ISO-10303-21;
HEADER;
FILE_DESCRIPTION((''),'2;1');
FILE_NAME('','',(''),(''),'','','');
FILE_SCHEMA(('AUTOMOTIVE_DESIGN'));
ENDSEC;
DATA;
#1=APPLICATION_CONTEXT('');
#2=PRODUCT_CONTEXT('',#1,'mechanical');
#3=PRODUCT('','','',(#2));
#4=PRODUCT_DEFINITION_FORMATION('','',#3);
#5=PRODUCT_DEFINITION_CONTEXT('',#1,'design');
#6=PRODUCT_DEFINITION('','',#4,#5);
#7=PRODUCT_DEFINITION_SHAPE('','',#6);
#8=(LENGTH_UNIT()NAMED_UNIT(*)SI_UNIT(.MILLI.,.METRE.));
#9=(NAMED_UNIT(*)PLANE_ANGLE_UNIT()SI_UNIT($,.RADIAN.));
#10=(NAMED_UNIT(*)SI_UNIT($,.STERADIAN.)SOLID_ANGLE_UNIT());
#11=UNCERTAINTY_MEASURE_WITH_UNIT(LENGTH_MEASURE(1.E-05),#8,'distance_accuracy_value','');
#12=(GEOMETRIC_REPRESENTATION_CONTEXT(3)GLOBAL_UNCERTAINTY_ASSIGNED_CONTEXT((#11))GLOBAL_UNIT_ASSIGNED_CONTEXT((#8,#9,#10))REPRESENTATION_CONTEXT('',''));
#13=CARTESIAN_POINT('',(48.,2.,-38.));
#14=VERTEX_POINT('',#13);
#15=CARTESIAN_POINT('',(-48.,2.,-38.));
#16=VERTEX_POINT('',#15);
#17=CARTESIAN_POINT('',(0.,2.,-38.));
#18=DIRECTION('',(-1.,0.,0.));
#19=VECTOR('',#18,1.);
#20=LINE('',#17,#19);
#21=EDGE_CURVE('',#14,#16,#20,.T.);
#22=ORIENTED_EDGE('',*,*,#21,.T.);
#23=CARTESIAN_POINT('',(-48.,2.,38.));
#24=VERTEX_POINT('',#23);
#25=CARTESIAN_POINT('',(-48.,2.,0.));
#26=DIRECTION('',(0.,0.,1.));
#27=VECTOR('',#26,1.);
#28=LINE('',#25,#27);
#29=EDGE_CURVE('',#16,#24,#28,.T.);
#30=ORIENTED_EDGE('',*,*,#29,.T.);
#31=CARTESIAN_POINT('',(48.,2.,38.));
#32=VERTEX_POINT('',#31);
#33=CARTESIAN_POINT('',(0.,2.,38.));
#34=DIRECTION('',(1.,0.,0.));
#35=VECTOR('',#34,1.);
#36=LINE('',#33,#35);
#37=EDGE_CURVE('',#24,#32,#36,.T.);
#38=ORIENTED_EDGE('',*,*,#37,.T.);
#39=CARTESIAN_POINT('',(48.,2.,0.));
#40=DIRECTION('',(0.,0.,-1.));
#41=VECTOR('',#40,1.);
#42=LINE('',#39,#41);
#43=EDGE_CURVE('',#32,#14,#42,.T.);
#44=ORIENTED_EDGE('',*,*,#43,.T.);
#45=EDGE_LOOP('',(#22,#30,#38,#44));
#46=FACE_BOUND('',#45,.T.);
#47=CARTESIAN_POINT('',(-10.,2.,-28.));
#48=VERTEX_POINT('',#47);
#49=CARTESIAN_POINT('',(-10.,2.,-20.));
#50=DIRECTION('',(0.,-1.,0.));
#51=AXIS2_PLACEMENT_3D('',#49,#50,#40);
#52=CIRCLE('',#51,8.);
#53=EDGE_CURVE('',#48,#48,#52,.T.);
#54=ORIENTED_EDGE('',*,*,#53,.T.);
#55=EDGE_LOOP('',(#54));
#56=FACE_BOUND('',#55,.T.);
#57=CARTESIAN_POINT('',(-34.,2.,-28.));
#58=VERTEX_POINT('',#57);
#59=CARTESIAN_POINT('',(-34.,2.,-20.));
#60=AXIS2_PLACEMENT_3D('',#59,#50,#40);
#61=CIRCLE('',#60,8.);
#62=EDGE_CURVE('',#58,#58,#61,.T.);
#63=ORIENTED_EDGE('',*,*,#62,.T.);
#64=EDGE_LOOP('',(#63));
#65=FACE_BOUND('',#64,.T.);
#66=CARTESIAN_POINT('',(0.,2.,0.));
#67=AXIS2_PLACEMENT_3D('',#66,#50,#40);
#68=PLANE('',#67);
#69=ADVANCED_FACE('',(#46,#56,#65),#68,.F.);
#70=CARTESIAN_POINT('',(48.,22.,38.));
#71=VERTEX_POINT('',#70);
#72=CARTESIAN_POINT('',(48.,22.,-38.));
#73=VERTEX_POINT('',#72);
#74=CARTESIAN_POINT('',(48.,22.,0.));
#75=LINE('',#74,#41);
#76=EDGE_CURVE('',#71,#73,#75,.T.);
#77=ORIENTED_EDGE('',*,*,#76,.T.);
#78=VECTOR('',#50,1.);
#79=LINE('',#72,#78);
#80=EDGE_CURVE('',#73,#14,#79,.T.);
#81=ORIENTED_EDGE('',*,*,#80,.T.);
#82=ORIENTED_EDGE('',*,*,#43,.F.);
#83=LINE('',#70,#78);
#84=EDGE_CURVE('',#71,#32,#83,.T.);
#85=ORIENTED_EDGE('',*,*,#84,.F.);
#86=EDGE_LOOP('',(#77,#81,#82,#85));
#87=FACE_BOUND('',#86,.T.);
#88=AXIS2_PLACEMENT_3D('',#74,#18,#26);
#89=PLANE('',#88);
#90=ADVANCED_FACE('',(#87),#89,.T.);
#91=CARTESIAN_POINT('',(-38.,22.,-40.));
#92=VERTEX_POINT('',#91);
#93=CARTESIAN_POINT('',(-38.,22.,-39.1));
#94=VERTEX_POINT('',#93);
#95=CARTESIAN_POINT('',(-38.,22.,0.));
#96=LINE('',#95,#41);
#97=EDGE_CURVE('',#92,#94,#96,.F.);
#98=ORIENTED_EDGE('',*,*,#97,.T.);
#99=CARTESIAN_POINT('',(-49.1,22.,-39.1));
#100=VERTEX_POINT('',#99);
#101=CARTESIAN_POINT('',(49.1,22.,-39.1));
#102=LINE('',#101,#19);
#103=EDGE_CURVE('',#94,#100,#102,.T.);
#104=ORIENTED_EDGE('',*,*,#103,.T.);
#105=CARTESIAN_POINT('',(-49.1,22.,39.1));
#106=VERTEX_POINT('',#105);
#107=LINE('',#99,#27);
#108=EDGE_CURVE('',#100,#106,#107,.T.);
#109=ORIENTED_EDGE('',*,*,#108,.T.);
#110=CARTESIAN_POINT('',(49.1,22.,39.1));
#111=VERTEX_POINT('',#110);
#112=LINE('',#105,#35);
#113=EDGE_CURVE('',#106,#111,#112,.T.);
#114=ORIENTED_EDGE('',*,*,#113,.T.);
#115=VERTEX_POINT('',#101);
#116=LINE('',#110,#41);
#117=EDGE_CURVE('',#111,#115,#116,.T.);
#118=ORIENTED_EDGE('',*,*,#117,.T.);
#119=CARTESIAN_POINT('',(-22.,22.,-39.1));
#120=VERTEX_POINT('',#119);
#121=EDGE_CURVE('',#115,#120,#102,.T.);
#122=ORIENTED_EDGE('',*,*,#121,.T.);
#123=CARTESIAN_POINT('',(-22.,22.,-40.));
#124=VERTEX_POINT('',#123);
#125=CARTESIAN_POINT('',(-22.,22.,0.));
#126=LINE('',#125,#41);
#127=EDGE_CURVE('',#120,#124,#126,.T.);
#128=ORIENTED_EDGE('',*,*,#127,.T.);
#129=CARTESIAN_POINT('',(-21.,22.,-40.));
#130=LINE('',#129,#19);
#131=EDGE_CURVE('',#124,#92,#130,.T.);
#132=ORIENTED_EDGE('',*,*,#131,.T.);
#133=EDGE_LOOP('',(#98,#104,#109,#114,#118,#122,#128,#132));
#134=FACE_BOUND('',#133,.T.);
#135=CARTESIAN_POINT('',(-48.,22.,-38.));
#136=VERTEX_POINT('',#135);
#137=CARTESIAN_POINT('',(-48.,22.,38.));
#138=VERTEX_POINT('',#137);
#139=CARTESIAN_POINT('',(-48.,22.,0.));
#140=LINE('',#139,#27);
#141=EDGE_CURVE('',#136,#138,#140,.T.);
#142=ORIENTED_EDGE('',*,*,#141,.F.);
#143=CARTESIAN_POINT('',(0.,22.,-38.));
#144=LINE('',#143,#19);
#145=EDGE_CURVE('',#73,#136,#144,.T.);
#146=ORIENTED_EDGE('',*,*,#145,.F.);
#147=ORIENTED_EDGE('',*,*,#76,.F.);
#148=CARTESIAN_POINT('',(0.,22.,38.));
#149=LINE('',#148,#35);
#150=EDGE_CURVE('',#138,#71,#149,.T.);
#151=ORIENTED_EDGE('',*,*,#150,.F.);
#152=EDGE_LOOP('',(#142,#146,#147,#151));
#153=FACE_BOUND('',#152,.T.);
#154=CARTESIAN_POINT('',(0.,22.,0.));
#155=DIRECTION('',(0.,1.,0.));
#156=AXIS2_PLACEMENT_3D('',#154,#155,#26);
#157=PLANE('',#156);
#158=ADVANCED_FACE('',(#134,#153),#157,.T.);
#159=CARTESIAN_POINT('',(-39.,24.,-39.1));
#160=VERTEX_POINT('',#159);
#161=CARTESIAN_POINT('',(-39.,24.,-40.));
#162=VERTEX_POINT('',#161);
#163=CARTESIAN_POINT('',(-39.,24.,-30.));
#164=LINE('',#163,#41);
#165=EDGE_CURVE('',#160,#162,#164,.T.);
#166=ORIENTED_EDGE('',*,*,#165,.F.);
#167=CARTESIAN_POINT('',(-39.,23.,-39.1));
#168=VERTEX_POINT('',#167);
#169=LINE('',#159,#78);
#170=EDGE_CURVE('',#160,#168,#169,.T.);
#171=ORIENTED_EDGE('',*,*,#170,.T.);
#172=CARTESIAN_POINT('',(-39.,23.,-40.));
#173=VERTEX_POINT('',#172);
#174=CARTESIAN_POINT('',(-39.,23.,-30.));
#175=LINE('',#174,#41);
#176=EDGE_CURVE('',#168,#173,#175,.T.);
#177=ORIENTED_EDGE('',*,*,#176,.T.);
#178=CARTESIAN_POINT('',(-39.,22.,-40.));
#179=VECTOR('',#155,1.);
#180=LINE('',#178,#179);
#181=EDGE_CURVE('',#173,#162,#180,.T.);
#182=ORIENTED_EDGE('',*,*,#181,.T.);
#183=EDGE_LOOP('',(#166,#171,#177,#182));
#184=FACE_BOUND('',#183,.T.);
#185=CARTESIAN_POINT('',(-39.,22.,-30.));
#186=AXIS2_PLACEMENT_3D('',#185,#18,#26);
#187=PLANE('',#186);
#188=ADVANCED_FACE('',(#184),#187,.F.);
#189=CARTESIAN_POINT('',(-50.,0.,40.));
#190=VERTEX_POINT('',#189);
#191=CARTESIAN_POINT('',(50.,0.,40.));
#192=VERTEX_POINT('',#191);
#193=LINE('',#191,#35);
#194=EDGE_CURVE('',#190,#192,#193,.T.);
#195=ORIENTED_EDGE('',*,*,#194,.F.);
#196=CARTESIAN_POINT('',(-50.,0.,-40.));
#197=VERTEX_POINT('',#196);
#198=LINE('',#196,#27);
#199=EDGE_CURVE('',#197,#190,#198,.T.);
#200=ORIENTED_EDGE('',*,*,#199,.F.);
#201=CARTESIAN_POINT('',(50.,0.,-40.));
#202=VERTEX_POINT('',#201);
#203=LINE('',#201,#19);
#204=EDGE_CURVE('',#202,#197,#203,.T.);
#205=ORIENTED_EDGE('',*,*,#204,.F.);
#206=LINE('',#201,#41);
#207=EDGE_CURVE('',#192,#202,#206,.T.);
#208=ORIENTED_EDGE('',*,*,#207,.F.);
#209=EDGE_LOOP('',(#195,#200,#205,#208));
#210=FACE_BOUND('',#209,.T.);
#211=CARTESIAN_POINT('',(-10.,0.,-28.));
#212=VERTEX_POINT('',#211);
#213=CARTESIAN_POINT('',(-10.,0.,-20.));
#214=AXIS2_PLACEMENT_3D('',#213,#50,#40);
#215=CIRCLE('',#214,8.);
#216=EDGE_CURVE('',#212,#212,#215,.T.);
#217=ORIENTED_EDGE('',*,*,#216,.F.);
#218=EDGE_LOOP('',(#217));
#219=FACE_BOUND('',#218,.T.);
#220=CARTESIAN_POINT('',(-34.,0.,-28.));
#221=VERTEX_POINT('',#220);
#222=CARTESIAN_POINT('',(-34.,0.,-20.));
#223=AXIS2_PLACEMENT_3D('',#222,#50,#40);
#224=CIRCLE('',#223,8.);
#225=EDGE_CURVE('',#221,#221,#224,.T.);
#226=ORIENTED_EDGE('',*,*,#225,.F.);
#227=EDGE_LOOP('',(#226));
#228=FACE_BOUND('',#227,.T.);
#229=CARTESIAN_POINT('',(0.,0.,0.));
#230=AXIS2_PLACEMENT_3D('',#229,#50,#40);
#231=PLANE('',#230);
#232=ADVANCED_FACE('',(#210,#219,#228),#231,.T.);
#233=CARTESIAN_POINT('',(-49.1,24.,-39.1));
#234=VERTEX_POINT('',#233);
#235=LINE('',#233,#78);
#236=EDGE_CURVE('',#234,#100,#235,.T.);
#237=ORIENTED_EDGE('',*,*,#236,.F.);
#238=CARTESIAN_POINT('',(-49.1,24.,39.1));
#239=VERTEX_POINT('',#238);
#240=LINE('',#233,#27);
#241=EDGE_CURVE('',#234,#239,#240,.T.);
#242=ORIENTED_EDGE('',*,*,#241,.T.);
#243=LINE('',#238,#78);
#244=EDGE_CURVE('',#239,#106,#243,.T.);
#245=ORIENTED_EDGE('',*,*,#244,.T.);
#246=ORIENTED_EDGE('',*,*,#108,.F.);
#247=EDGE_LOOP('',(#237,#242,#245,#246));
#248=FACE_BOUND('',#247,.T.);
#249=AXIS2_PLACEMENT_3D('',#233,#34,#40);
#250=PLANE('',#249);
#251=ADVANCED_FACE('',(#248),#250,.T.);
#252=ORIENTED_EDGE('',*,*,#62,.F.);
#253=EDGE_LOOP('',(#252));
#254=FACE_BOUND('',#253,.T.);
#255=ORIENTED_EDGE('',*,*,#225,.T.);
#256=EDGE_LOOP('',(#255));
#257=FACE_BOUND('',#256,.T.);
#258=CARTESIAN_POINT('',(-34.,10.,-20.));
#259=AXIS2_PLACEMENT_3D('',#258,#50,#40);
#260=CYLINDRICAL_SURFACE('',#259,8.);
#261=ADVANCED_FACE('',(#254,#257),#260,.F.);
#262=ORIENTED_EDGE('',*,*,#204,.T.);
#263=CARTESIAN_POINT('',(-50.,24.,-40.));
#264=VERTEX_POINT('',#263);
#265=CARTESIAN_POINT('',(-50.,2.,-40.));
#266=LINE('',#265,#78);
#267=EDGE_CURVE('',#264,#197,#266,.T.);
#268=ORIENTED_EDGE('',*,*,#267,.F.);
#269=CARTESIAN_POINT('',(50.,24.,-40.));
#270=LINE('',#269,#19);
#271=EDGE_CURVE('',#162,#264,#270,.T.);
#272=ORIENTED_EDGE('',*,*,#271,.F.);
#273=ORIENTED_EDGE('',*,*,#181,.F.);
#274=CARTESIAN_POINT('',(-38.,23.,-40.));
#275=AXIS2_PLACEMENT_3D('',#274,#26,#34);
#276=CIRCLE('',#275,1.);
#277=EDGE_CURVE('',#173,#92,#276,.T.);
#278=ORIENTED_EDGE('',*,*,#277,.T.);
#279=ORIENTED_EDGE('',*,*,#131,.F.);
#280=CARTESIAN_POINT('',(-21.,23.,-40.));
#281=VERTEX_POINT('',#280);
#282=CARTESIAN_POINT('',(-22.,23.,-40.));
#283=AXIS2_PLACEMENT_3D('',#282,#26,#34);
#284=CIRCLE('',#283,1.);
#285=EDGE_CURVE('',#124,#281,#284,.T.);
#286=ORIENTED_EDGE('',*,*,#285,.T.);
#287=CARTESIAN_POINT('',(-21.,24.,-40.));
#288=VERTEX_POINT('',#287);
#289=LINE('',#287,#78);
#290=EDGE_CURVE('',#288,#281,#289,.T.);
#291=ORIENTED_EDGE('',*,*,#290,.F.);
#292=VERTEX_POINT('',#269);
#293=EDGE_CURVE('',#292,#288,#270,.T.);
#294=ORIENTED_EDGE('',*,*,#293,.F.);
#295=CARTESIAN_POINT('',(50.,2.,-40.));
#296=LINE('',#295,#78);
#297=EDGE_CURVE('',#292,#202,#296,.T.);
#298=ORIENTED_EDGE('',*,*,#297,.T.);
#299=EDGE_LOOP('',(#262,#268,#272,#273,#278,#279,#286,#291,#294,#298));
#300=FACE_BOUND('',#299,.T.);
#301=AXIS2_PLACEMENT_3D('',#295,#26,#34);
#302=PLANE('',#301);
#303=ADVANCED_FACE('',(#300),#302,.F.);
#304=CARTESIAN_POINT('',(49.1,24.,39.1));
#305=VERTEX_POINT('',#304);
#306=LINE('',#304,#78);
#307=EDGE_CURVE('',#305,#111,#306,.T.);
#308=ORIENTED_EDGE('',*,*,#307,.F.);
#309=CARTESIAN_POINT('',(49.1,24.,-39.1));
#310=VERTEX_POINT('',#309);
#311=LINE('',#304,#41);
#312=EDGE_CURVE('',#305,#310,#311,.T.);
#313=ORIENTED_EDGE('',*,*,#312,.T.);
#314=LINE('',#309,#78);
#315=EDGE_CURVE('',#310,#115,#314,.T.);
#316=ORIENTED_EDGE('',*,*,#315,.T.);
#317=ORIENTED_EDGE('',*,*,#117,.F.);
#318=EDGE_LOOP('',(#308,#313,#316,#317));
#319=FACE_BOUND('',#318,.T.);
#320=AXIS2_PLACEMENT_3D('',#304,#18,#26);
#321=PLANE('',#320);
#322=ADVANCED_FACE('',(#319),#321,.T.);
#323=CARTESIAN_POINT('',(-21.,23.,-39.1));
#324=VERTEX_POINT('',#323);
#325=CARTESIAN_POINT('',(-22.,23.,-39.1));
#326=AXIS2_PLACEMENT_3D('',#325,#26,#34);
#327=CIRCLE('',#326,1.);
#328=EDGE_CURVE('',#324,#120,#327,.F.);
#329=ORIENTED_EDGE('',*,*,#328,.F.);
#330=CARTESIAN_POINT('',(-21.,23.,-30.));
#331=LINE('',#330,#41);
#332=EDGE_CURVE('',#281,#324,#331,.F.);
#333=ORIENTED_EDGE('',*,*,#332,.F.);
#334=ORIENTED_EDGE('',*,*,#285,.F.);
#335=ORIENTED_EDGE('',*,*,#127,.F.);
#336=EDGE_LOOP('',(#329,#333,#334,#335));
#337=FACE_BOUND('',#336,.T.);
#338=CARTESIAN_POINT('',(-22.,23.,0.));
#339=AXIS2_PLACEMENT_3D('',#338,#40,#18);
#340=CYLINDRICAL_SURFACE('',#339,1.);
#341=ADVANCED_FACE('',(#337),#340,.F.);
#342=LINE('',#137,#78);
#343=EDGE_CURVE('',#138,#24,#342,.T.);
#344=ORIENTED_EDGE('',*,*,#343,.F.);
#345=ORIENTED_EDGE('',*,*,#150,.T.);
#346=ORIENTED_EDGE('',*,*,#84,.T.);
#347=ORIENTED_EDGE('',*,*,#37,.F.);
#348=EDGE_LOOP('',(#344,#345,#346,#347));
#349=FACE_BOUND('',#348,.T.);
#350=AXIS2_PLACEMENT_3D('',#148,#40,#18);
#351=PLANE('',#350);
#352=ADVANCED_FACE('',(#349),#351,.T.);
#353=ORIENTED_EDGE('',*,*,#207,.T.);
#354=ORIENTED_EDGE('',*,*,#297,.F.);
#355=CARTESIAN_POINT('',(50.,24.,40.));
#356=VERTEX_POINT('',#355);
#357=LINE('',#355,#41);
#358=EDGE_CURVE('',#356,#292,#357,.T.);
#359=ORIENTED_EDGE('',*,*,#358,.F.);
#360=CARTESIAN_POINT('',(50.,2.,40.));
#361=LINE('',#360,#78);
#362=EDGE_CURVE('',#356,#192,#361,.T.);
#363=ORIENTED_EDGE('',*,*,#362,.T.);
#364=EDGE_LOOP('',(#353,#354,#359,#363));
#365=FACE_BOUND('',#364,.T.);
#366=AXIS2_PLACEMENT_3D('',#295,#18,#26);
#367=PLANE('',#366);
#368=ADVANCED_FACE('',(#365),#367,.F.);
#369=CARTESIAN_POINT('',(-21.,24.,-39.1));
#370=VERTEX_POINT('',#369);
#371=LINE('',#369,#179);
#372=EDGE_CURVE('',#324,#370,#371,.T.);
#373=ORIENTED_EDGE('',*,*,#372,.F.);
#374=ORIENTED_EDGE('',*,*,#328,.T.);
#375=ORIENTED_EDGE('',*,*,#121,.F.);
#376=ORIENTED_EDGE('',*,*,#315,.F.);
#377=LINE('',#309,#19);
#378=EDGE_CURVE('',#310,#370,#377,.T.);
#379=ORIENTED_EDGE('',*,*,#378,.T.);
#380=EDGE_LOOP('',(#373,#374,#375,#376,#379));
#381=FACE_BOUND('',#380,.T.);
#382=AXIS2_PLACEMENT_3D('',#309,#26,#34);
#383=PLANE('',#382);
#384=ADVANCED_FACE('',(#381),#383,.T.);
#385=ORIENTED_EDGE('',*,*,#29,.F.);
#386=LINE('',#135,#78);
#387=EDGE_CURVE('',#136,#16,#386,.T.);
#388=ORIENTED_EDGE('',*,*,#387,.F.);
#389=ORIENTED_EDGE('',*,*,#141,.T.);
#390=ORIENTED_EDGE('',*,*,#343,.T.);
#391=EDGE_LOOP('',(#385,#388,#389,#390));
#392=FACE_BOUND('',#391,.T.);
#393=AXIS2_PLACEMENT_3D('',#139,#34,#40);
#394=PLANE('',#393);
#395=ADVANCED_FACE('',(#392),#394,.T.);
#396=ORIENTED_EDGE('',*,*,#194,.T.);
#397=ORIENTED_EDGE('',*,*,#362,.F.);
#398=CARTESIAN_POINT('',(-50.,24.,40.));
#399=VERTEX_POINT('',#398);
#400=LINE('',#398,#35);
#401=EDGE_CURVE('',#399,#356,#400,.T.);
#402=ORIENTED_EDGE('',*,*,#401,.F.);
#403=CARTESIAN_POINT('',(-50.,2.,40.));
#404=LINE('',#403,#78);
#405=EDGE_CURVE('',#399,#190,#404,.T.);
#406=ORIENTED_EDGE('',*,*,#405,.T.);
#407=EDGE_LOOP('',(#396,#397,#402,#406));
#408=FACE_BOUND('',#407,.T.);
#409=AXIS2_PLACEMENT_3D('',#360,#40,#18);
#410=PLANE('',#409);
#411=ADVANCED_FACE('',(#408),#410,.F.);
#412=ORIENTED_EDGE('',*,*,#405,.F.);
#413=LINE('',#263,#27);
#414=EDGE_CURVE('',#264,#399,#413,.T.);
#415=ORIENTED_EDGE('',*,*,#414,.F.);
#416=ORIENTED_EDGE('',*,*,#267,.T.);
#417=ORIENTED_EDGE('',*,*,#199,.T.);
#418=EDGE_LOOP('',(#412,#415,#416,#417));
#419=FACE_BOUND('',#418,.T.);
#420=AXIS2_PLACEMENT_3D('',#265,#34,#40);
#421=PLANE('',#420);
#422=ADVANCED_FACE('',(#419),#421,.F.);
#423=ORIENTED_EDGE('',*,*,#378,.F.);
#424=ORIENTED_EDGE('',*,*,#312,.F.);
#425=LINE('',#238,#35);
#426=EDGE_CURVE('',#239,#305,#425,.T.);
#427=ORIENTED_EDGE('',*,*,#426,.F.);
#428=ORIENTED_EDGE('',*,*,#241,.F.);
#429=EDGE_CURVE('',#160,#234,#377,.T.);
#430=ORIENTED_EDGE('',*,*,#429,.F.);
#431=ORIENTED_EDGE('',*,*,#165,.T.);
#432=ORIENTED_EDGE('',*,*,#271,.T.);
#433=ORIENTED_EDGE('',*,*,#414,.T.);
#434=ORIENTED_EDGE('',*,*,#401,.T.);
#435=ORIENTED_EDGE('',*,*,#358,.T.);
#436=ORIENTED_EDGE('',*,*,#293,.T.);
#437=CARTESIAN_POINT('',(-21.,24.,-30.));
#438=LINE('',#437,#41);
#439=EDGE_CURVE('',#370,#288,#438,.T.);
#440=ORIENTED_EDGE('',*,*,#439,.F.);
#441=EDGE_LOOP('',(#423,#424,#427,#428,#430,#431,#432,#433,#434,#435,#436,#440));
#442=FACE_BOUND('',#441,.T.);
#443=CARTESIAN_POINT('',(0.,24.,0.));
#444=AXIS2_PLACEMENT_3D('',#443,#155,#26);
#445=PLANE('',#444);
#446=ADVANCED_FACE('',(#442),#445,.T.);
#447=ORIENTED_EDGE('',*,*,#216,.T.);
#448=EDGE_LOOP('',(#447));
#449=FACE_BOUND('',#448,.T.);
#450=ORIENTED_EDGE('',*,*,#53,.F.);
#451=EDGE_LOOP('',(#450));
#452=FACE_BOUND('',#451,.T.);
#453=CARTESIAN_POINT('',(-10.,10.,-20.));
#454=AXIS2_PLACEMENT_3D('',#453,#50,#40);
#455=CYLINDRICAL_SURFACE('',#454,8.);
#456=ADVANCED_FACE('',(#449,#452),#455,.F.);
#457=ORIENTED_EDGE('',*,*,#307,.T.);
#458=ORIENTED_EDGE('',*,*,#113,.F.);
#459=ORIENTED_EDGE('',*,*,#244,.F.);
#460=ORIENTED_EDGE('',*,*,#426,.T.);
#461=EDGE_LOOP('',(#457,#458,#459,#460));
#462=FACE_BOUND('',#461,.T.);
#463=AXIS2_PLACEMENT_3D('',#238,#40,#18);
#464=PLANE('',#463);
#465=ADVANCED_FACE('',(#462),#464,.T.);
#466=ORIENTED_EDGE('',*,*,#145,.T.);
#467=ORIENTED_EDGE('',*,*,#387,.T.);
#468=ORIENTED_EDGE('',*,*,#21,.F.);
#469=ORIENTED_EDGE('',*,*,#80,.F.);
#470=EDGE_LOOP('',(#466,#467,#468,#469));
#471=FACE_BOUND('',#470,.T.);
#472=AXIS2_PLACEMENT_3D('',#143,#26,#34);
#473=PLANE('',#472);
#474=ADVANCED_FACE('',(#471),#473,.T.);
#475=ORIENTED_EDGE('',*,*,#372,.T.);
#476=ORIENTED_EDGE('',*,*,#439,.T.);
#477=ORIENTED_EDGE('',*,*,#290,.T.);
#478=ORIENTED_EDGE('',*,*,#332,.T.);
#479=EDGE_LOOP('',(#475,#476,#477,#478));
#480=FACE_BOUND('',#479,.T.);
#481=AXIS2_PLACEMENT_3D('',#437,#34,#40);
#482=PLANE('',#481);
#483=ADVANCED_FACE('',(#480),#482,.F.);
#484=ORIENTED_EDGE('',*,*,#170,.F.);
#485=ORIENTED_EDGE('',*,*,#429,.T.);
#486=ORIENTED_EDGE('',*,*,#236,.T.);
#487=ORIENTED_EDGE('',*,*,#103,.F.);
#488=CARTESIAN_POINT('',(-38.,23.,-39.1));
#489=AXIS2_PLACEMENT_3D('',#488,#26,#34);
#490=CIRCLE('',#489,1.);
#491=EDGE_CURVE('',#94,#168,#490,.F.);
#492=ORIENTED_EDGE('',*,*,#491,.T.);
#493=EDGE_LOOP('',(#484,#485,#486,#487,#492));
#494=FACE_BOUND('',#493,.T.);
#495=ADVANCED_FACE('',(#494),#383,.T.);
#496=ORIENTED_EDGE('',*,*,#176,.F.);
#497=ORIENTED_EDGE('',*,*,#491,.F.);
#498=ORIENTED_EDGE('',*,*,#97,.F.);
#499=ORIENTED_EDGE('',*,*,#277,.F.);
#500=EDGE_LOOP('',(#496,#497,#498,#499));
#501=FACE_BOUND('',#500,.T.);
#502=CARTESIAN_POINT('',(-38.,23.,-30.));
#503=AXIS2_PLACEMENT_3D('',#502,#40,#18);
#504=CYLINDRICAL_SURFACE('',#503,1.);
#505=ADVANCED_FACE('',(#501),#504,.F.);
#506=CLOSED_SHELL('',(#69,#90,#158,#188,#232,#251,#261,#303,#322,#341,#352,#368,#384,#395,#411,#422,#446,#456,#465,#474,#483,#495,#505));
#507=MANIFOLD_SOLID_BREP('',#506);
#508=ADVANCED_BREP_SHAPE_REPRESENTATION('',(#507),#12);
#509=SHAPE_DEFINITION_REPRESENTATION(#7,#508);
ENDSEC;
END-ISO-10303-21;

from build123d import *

# Parameters (mm, degrees)
ESQUISSE1_W             = 100
ESQUISSE1_H             = 80
BOSS_EXTRU_1_DEPTH      = 2
ESQUISSE2_W             = 100
ESQUISSE2_H             = 80
ESQUISSE2_W_2           = 96
ESQUISSE2_H_2           = 76
BOSS_EXTRU_2_DEPTH      = 20
ESQUISSE5_W             = 100
ESQUISSE5_H             = 80
ESQUISSE5_W_2           = 98.2
ESQUISSE5_H_2           = 78.2
BOSS_EXTRU_3_DEPTH      = 2
ESQUISSE6_W             = 18
ESQUISSE6_H             = 2
ENL_V_MAT_EXTRU_3_DEPTH = 10
CONG_1_R                = 1
ESQUISSE7_R             = 8
ENL_V_MAT_EXTRU_4_DEPTH = 10


with BuildPart() as part:
    # Esquisse1 → Boss.-Extru.1 (new body)
    with BuildSketch(Plane(origin=(0, 0, 0), x_dir=(1, 0, 0), z_dir=(0, 1, 0))):
        Rectangle(ESQUISSE1_W, ESQUISSE1_H)
    extrude(amount=BOSS_EXTRU_1_DEPTH)

    # Esquisse2 → Boss.-Extru.2 (add)
    with BuildSketch(Plane(origin=(0, 2, 0), x_dir=(1, 0, 0), z_dir=(0, 1, 0))):
        Rectangle(ESQUISSE2_W, ESQUISSE2_H)
        Rectangle(ESQUISSE2_W_2, ESQUISSE2_H_2, mode=Mode.SUBTRACT)
    extrude(amount=BOSS_EXTRU_2_DEPTH)

    # Esquisse5 → Boss.-Extru.3 (add)
    with BuildSketch(Plane(origin=(0, 22, 0), x_dir=(1, 0, 0), z_dir=(0, 1, 0))):
        Rectangle(ESQUISSE5_W, ESQUISSE5_H)
        Rectangle(ESQUISSE5_W_2, ESQUISSE5_H_2, mode=Mode.SUBTRACT)
    extrude(amount=BOSS_EXTRU_3_DEPTH)

    # Esquisse6 → Enlèv. mat.-Extru.3 (cut)
    with BuildSketch(Plane(origin=(0, 0, -40), x_dir=(-1, 0, 0), z_dir=(0, 0, -1))):
        with Locations((30, 23)):
            Rectangle(ESQUISSE6_W, ESQUISSE6_H)
    extrude(amount=-ENL_V_MAT_EXTRU_3_DEPTH, mode=Mode.SUBTRACT)

    # Congé1
    cong_1_edges = [part.edges().sort_by_distance(p)[0] for p in [
        (-39, 22, -39.55),
        (-21, 22, -39.55),
    ]]
    fillet(cong_1_edges, radius=CONG_1_R)

    # Esquisse7 → Enlèv. mat.-Extru.4 (cut)
    with BuildSketch(Plane.XZ):
        with Locations((-34, -20)):
            Circle(ESQUISSE7_R)
        with Locations((-10, -20)):
            Circle(ESQUISSE7_R)
    extrude(amount=-ENL_V_MAT_EXTRU_4_DEPTH, mode=Mode.SUBTRACT)


solid = part.part
